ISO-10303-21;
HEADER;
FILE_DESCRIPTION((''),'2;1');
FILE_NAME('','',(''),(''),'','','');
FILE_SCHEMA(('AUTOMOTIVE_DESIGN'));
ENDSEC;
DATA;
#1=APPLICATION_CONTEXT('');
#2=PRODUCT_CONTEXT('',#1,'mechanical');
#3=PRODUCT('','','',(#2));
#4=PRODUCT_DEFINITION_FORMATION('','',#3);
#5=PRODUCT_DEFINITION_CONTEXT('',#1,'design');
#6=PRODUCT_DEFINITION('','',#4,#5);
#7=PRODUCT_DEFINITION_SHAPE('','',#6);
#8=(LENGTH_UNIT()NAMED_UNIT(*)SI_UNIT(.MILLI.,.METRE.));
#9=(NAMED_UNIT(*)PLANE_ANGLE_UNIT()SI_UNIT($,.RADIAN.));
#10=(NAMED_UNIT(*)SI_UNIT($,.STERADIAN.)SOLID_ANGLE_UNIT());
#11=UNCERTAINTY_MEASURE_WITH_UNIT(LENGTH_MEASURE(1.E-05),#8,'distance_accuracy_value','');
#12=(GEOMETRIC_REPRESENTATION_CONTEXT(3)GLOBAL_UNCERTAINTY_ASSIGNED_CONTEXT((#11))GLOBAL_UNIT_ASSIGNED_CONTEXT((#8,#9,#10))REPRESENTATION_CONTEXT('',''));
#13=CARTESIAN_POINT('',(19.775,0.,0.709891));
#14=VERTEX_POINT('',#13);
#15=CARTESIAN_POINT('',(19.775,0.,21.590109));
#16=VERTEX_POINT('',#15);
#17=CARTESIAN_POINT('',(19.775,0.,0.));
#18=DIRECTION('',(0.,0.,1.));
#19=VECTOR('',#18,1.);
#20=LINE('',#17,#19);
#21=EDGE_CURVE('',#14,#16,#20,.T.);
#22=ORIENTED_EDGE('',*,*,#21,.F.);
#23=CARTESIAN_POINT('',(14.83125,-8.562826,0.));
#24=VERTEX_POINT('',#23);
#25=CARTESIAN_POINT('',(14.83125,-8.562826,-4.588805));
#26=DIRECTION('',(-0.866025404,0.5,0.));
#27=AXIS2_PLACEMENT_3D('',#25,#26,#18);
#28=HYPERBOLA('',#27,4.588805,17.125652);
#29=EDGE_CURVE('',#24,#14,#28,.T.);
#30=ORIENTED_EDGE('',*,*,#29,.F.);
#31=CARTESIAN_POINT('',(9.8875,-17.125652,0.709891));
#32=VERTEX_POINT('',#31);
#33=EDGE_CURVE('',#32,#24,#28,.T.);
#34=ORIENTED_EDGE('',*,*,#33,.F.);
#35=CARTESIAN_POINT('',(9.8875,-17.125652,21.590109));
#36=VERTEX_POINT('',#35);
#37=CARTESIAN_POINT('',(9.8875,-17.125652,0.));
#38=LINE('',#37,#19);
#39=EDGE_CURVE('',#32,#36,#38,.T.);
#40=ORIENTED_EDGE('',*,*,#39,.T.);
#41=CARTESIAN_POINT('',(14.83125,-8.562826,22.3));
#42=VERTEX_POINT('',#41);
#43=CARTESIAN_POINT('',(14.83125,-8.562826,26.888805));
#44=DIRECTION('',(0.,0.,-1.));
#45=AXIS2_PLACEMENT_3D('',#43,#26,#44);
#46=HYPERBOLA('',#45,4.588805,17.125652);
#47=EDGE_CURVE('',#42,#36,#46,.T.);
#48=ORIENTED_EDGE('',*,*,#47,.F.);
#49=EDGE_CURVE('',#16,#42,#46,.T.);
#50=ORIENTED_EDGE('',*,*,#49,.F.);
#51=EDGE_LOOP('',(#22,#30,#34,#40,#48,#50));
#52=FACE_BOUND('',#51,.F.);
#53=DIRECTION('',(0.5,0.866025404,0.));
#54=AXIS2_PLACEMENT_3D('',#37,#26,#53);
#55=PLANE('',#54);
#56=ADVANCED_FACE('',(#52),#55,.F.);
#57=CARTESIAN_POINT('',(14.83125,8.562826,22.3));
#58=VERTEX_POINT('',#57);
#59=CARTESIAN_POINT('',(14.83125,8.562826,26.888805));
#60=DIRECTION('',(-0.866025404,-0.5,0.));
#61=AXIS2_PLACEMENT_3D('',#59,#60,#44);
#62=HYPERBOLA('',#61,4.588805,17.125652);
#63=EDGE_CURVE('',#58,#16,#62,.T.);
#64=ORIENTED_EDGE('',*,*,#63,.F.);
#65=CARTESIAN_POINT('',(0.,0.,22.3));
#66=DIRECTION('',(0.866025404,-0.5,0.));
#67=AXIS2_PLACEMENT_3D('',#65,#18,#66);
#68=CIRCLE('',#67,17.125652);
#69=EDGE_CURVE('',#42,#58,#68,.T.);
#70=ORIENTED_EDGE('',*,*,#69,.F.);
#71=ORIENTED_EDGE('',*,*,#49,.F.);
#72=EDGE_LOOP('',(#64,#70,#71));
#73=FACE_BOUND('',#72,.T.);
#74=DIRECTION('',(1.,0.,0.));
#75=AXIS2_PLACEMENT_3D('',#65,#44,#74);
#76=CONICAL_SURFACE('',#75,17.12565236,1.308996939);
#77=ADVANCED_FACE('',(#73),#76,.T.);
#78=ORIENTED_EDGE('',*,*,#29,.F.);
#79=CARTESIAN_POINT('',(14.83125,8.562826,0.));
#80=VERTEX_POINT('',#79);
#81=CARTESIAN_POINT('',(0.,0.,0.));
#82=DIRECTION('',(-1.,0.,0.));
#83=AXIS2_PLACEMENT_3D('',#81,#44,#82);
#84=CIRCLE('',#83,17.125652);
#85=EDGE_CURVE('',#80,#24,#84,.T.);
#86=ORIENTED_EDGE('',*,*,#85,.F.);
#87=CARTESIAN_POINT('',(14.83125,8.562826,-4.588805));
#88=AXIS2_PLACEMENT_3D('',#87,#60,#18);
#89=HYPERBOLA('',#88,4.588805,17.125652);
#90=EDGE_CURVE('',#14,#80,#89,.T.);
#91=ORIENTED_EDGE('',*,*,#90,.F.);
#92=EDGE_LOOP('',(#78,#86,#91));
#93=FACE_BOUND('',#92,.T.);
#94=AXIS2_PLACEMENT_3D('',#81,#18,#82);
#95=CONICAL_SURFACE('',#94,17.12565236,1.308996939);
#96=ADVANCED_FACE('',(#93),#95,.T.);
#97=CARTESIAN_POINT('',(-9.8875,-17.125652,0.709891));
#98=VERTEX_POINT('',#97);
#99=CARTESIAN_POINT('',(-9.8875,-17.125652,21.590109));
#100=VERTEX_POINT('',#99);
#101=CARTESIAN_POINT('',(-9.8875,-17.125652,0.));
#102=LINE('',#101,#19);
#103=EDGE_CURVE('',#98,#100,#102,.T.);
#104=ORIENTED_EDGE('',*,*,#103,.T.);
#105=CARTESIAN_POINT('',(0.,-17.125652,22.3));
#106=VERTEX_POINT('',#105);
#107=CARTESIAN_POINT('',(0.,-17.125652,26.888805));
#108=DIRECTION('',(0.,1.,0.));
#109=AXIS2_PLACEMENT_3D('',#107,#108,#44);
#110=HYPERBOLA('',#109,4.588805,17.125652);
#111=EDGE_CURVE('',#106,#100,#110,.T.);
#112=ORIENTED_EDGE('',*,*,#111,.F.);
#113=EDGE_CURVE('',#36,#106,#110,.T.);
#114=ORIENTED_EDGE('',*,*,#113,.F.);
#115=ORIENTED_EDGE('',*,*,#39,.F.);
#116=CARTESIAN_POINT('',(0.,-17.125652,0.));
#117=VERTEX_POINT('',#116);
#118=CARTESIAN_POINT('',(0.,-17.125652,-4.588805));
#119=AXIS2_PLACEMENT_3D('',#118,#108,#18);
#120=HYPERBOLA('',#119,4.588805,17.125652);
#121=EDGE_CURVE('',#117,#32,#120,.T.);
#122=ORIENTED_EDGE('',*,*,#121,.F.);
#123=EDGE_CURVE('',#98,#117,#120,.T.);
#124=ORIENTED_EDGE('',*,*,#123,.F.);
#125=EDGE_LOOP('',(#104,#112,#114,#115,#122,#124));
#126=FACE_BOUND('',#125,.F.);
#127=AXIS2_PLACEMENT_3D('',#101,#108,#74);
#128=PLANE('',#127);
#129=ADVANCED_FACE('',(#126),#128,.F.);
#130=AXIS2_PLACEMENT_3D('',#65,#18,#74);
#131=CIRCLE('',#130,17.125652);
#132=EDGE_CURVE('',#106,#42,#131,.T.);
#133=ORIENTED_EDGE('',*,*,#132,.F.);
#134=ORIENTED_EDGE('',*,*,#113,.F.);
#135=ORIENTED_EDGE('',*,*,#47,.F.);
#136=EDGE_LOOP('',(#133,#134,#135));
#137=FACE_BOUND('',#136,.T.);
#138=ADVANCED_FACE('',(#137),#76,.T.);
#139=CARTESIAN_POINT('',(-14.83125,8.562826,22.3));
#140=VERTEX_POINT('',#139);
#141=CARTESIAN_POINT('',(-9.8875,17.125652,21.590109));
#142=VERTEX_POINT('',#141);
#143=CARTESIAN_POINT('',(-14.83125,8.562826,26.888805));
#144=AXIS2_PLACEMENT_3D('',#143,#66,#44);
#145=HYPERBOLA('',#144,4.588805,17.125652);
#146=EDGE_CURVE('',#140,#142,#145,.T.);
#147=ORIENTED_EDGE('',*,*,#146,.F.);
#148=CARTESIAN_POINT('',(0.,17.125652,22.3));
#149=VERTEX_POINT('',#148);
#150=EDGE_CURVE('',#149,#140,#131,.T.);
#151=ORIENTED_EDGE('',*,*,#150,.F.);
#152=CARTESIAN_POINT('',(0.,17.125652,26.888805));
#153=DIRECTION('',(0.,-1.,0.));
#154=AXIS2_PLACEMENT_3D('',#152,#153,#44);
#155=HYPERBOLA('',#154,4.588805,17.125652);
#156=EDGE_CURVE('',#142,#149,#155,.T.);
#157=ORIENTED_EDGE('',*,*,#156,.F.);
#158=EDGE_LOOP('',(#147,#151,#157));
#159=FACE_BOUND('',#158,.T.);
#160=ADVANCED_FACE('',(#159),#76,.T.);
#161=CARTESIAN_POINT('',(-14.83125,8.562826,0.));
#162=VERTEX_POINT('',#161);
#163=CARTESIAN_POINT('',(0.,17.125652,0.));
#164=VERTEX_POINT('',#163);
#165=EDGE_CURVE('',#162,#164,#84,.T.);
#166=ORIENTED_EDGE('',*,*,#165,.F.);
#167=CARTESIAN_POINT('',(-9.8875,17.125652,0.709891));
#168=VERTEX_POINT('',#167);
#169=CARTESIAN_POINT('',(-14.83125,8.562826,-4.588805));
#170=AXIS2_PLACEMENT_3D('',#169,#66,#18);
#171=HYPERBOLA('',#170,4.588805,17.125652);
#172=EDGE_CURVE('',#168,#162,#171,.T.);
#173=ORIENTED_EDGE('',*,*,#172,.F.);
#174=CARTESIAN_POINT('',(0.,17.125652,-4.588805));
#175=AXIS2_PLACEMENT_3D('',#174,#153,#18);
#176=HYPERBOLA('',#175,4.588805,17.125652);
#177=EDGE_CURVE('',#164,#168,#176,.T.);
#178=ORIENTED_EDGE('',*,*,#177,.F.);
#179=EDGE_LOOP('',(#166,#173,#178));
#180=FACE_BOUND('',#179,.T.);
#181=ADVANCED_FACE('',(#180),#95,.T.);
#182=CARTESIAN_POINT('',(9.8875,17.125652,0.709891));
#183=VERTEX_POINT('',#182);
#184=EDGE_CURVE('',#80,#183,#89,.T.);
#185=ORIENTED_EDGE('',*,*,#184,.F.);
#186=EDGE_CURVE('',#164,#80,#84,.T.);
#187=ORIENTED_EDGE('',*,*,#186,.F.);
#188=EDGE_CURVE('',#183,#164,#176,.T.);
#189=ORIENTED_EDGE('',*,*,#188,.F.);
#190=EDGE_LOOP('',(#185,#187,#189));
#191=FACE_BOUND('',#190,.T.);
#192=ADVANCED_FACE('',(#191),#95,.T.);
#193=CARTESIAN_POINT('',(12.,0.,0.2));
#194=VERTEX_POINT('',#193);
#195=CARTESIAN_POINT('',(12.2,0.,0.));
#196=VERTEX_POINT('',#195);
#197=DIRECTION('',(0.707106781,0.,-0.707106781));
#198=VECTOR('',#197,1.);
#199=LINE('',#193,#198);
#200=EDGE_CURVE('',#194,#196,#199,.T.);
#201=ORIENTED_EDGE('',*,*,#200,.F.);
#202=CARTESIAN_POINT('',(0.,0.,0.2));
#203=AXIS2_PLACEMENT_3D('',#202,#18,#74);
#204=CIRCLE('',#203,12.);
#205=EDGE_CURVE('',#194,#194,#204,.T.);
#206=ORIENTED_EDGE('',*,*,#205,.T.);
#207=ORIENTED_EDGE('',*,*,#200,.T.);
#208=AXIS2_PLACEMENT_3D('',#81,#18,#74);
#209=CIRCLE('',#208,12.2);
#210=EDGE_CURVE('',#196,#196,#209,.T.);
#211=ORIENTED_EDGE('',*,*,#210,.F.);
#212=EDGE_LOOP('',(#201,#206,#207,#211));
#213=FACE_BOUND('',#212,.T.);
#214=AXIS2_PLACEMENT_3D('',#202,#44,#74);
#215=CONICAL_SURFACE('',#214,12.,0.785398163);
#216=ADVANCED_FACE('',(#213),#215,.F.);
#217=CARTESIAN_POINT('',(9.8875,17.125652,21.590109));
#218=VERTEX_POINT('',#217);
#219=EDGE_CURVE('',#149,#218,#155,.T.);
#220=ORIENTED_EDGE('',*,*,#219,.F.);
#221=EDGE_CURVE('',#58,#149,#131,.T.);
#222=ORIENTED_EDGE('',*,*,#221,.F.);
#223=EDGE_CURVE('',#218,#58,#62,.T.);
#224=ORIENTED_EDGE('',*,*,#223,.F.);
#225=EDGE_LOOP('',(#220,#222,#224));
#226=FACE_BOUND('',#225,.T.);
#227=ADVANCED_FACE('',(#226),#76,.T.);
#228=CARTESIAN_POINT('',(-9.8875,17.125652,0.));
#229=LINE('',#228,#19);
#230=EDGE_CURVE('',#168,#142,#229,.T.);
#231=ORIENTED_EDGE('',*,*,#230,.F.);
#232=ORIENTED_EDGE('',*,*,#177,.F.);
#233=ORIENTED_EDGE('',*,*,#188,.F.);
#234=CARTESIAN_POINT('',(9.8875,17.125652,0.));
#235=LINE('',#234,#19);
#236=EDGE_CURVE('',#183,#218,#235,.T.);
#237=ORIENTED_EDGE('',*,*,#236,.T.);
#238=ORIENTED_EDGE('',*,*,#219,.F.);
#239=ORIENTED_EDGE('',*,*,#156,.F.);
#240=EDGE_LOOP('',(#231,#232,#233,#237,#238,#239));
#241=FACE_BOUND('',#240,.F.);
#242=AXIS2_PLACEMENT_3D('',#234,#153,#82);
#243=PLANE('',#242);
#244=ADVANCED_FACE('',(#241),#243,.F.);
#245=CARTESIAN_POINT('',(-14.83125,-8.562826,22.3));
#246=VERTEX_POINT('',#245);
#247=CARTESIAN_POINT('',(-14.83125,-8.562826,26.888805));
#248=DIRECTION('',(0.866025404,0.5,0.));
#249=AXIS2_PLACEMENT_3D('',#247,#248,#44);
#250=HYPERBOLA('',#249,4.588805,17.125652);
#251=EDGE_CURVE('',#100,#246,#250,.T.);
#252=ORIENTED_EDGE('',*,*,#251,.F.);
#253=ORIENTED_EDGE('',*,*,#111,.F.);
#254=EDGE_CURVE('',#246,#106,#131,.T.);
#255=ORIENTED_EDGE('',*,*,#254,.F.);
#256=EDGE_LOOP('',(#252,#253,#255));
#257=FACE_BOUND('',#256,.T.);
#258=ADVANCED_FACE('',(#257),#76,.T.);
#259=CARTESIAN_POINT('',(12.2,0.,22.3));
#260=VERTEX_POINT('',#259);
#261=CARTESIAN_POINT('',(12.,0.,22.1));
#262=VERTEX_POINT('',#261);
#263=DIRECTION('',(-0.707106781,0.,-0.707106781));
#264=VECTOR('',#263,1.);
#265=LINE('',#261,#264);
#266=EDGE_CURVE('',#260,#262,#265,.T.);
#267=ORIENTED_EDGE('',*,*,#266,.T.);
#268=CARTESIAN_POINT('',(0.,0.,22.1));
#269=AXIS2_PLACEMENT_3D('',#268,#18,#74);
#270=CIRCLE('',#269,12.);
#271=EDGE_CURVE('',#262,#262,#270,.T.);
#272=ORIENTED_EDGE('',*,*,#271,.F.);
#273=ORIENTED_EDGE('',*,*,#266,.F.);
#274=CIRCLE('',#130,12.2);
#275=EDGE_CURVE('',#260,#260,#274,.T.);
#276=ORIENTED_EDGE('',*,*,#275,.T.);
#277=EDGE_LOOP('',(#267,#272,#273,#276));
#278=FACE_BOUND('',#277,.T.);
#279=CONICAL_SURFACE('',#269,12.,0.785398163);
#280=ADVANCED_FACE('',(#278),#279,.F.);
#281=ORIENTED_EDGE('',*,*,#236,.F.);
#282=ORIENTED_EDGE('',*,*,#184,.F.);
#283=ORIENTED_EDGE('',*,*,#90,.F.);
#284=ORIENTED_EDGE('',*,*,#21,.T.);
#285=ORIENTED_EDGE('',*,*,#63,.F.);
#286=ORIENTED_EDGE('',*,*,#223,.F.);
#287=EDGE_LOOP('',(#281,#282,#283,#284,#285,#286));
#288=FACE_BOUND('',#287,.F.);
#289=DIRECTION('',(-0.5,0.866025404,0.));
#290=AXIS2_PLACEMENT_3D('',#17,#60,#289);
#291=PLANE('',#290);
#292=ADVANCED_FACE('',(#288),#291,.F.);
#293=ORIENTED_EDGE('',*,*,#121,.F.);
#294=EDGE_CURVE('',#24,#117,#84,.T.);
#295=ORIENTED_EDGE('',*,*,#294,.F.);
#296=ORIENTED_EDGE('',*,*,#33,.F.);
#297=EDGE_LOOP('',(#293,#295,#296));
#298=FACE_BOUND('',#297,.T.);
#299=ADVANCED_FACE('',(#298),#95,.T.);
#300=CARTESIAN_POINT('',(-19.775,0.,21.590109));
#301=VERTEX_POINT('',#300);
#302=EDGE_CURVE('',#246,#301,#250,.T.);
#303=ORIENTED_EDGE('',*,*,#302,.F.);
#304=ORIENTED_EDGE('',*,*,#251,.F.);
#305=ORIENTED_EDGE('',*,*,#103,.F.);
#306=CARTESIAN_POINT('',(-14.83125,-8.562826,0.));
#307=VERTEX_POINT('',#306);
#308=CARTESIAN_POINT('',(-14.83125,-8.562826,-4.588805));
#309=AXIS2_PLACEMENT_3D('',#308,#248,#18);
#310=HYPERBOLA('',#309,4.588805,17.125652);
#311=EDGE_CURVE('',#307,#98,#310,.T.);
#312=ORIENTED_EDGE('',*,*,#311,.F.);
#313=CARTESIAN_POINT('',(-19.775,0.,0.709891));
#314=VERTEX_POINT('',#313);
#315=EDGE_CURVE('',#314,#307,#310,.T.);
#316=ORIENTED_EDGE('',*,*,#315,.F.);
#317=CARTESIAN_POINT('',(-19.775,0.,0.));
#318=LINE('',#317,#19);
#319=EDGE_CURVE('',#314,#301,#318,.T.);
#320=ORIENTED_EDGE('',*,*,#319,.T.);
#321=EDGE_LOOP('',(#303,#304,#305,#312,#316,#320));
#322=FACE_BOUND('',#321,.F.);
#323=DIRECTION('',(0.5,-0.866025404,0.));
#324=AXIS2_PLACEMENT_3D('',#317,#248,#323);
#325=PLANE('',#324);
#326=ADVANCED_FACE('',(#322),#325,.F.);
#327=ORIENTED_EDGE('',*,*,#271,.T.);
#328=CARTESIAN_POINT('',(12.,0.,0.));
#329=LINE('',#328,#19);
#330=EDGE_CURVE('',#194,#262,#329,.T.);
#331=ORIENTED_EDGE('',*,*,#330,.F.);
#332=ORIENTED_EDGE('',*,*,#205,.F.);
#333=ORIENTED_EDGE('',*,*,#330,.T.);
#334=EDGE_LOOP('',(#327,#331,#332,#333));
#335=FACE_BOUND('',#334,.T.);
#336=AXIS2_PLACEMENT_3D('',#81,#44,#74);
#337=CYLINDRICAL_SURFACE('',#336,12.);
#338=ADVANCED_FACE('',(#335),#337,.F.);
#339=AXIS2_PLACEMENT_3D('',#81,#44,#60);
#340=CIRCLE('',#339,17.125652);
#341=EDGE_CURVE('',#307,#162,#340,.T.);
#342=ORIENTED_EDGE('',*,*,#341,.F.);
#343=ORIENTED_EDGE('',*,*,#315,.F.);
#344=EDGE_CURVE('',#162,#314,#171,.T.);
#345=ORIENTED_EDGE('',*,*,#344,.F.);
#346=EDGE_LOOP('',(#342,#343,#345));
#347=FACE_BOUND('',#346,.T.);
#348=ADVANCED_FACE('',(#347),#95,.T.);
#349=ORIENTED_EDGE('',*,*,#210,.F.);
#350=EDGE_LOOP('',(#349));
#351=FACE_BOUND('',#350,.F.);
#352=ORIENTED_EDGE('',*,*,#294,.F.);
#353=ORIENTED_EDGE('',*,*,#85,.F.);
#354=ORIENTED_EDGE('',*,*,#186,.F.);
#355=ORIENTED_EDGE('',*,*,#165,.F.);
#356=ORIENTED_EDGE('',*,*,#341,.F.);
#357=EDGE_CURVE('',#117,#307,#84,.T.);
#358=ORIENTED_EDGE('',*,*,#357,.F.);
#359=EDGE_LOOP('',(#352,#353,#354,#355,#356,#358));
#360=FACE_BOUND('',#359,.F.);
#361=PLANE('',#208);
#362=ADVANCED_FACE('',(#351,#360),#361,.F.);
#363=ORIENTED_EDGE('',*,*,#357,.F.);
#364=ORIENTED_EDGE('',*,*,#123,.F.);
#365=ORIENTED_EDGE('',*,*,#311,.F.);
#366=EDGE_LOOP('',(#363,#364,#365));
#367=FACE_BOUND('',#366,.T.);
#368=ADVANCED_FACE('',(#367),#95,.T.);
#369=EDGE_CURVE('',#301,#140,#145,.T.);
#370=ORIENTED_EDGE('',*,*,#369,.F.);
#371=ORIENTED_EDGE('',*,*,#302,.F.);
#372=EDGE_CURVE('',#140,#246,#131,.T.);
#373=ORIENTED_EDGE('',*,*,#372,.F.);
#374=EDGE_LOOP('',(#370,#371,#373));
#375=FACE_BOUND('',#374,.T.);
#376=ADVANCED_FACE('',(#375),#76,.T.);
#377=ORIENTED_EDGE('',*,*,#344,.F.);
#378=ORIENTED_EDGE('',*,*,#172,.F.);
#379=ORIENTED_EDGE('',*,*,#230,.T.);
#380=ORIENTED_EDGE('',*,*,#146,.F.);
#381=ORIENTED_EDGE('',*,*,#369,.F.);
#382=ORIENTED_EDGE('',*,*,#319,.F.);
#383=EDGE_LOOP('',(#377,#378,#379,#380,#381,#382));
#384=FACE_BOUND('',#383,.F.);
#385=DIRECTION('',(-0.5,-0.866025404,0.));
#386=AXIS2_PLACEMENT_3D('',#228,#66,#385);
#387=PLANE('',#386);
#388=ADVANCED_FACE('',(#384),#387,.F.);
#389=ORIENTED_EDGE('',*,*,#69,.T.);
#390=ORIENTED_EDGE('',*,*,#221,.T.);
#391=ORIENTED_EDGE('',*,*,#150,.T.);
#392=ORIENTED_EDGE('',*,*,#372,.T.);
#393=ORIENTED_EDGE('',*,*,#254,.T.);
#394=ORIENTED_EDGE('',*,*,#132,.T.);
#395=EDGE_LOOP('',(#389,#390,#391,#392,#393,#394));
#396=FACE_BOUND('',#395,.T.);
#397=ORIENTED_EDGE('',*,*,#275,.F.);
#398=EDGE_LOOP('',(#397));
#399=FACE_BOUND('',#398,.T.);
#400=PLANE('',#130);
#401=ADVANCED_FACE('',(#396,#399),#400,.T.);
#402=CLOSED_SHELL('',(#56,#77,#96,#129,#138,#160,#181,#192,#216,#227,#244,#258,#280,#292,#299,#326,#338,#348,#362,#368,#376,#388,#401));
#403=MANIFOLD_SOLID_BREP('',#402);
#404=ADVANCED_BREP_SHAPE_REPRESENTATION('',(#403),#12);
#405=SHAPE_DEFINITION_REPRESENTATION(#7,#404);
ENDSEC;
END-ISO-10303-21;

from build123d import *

# Parameters (mm, degrees)
SKETCH_1_R          = 12
EXTRUDE_522_DEPTH   = 22.3
SKETCH_2_OUTSIDE_W  = 336.56
SKETCH_2_OUTSIDE_H  = 331.262
SKETCH_2_OUTSIDE_R  = 17.12565236
CUT_EXTRUDE_1_DEPTH = 38
CUT_EXTRUDE_1_DRAFT = -75
SKETCH_3_OUTSIDE_W  = 336.56
SKETCH_3_OUTSIDE_H  = 331.262
SKETCH_3_OUTSIDE_R  = 17.12565236
CUT_EXTRUDE_2_DEPTH = 38
CUT_EXTRUDE_2_DRAFT = -75
CHAMFER_1_SIZE      = 0.2


with BuildPart() as part:
    # 草图1 → Extrude 522 (new body)
    with BuildSketch(Plane.XY):
        Polygon((9.8875, 17.12565236), (-9.8875, 17.12565236), (-19.775, 0), (-9.8875, -17.12565236), (9.8875, -17.12565236), (19.775, 0), align=None)
        Circle(SKETCH_1_R, mode=Mode.SUBTRACT)
    extrude(amount=EXTRUDE_522_DEPTH)


with BuildPart() as cut_extrude_1_tool:
    # 草图2 outside → 切除-拉伸1 (with draft: the straight prism first)
    with BuildSketch(Plane(origin=(0, 0, 0), x_dir=(-1, 0, 0), z_dir=(0, 0, -1))):
        Rectangle(SKETCH_2_OUTSIDE_W, SKETCH_2_OUTSIDE_H)
        Circle(SKETCH_2_OUTSIDE_R, mode=Mode.SUBTRACT)
    extrude(amount=-CUT_EXTRUDE_1_DEPTH)
    # 切除-拉伸1: the draft: its side faces are tilted about the plane it starts from
    cut_extrude_1_sides = [cut_extrude_1_tool.faces().sort_by_distance(p)[0] for p in [
        (0, -165.631, 19),
        (-168.28, 0, 19),
        (0, 165.631, 19),
        (168.28, 0, 19),
        (17.12565236, 0, 19),
    ]]
    draft(cut_extrude_1_sides, Plane(origin=(0, 0, 0), x_dir=(-1, 0, 0), z_dir=(0, 0, -1)), CUT_EXTRUDE_1_DRAFT)


with BuildPart() as part_1:
    add(part.part)

    # 切除-拉伸1: cut by cut_extrude_1_tool
    add(cut_extrude_1_tool.part, mode=Mode.SUBTRACT)


with BuildPart() as cut_extrude_2_tool:
    # 草图3 outside → 切除-拉伸2 (with draft: the straight prism first)
    with BuildSketch(Plane.XY.offset(22.3)):
        Rectangle(SKETCH_3_OUTSIDE_W, SKETCH_3_OUTSIDE_H)
        Circle(SKETCH_3_OUTSIDE_R, mode=Mode.SUBTRACT)
    extrude(amount=-CUT_EXTRUDE_2_DEPTH)
    # 切除-拉伸2: the draft: its side faces are tilted about the plane it starts from
    cut_extrude_2_sides = [cut_extrude_2_tool.faces().sort_by_distance(p)[0] for p in [
        (0, -165.631, 3.3),
        (168.28, 0, 3.3),
        (0, 165.631, 3.3),
        (-168.28, 0, 3.3),
        (-17.12565236, 0, 3.3),
    ]]
    draft(cut_extrude_2_sides, Plane.XY.offset(22.3), CUT_EXTRUDE_2_DRAFT)


with BuildPart() as part_2:
    add(part_1.part)

    # 切除-拉伸2: cut by cut_extrude_2_tool
    add(cut_extrude_2_tool.part, mode=Mode.SUBTRACT)

    # 倒角1
    chamfer_1_edges = [part_2.edges().sort_by_distance(p)[0] for p in [
        (-12, 0, 0),
        (-12, 0, 22.3),
    ]]
    chamfer(chamfer_1_edges, length=CHAMFER_1_SIZE)


solid = part_2.part
